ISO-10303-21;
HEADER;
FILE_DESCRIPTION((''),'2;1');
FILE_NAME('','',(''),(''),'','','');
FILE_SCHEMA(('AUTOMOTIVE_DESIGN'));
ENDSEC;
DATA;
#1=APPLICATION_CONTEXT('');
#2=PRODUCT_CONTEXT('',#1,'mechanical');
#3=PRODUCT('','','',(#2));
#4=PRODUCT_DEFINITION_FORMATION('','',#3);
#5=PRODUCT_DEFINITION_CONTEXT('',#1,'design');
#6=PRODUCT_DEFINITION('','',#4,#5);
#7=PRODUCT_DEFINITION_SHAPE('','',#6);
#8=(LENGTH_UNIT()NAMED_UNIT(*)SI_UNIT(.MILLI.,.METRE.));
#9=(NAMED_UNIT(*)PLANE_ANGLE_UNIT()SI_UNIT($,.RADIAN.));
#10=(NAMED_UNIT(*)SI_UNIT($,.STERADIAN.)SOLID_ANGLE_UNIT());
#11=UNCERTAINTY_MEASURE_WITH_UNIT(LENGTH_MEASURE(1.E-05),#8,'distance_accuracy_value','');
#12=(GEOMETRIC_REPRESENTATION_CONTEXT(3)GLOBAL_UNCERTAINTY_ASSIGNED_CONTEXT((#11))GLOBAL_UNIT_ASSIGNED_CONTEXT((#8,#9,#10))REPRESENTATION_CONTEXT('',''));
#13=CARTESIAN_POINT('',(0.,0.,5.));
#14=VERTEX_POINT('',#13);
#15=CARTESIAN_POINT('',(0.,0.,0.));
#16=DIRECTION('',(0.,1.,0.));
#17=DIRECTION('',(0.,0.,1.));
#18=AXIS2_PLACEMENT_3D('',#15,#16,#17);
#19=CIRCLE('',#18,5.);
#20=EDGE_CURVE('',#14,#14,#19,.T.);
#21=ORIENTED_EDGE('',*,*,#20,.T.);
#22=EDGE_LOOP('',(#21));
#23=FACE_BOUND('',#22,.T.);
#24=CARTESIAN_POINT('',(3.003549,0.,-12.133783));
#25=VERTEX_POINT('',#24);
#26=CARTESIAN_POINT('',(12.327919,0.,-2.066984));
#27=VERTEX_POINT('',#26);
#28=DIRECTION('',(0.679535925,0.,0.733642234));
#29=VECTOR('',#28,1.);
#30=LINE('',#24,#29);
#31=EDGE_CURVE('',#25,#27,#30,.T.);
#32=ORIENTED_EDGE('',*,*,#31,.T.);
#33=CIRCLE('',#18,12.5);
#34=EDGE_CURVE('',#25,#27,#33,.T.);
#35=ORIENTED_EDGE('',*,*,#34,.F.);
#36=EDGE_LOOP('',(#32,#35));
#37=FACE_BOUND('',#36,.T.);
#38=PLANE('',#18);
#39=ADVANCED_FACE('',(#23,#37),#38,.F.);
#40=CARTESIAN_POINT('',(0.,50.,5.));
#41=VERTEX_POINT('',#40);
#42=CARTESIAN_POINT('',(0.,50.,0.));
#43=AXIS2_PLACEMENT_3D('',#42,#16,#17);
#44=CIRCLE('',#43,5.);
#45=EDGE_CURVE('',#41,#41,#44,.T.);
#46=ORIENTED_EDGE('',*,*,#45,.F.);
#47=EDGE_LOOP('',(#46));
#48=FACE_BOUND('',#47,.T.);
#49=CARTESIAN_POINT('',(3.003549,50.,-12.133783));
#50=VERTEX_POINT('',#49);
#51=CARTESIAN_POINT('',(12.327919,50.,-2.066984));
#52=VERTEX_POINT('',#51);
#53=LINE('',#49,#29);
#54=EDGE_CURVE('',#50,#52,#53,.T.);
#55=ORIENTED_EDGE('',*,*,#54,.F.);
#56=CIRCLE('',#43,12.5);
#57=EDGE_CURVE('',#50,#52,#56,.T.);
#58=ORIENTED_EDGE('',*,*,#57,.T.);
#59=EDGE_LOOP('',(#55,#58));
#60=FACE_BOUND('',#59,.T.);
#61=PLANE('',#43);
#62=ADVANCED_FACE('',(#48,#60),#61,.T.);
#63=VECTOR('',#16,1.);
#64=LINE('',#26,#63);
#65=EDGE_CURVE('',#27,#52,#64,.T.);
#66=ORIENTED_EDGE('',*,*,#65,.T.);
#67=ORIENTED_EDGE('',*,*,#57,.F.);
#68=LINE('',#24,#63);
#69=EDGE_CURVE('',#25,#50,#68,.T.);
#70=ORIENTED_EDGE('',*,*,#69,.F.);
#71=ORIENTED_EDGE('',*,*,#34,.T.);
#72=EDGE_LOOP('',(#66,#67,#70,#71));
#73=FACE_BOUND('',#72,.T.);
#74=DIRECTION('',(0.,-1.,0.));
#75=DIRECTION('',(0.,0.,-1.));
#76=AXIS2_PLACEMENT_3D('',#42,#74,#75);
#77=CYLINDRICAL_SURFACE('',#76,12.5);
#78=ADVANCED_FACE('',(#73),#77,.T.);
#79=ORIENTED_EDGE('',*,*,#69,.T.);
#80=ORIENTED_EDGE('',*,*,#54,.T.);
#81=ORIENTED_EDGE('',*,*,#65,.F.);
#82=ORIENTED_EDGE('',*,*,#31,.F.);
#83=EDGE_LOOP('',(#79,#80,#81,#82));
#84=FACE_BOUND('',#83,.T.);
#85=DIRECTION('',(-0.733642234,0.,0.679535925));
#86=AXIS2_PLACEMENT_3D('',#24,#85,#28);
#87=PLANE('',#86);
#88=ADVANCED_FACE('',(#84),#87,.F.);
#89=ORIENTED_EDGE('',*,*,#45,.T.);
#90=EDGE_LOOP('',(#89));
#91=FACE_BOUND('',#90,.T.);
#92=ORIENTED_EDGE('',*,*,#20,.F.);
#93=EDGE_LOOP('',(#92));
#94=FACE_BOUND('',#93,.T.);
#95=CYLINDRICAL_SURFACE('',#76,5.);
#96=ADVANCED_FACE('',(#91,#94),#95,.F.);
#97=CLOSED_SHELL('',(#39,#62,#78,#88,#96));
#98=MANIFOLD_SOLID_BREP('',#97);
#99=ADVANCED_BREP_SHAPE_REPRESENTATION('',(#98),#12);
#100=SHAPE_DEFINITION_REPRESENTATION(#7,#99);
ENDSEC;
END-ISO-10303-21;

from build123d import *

# Parameters (mm, degrees)
SKETCH1_R           = 12.5
SKETCH1_R_2         = 5
BOSS_EXTRUDE1_DEPTH = 50
CUT_EXTRUDE1_DEPTH  = 51


with BuildPart() as part:
    # Sketch1 → Boss-Extrude1 (new body)
    with BuildSketch(Plane(origin=(0, 0, 0), x_dir=(1, 0, 0), z_dir=(0, 1, 0))):
        Circle(SKETCH1_R)
        Circle(SKETCH1_R_2, mode=Mode.SUBTRACT)
    extrude(amount=BOSS_EXTRUDE1_DEPTH)

    # Sketch2 → Cut-Extrude1 (cut, through all)
    with BuildSketch(Plane(origin=(0, 50, 0), x_dir=(1, 0, 0), z_dir=(0, 1, 0))):
        with BuildLine():
            Line((3.00354867, 12.133783226), (12.327918565, 2.06698424))
            ThreePointArc((12.327918565, 2.06698424), (9.170527922, 8.494199058), (3.00354867, 12.133783226))
        make_face()
    extrude(amount=-CUT_EXTRUDE1_DEPTH, mode=Mode.SUBTRACT)


solid = part.part
